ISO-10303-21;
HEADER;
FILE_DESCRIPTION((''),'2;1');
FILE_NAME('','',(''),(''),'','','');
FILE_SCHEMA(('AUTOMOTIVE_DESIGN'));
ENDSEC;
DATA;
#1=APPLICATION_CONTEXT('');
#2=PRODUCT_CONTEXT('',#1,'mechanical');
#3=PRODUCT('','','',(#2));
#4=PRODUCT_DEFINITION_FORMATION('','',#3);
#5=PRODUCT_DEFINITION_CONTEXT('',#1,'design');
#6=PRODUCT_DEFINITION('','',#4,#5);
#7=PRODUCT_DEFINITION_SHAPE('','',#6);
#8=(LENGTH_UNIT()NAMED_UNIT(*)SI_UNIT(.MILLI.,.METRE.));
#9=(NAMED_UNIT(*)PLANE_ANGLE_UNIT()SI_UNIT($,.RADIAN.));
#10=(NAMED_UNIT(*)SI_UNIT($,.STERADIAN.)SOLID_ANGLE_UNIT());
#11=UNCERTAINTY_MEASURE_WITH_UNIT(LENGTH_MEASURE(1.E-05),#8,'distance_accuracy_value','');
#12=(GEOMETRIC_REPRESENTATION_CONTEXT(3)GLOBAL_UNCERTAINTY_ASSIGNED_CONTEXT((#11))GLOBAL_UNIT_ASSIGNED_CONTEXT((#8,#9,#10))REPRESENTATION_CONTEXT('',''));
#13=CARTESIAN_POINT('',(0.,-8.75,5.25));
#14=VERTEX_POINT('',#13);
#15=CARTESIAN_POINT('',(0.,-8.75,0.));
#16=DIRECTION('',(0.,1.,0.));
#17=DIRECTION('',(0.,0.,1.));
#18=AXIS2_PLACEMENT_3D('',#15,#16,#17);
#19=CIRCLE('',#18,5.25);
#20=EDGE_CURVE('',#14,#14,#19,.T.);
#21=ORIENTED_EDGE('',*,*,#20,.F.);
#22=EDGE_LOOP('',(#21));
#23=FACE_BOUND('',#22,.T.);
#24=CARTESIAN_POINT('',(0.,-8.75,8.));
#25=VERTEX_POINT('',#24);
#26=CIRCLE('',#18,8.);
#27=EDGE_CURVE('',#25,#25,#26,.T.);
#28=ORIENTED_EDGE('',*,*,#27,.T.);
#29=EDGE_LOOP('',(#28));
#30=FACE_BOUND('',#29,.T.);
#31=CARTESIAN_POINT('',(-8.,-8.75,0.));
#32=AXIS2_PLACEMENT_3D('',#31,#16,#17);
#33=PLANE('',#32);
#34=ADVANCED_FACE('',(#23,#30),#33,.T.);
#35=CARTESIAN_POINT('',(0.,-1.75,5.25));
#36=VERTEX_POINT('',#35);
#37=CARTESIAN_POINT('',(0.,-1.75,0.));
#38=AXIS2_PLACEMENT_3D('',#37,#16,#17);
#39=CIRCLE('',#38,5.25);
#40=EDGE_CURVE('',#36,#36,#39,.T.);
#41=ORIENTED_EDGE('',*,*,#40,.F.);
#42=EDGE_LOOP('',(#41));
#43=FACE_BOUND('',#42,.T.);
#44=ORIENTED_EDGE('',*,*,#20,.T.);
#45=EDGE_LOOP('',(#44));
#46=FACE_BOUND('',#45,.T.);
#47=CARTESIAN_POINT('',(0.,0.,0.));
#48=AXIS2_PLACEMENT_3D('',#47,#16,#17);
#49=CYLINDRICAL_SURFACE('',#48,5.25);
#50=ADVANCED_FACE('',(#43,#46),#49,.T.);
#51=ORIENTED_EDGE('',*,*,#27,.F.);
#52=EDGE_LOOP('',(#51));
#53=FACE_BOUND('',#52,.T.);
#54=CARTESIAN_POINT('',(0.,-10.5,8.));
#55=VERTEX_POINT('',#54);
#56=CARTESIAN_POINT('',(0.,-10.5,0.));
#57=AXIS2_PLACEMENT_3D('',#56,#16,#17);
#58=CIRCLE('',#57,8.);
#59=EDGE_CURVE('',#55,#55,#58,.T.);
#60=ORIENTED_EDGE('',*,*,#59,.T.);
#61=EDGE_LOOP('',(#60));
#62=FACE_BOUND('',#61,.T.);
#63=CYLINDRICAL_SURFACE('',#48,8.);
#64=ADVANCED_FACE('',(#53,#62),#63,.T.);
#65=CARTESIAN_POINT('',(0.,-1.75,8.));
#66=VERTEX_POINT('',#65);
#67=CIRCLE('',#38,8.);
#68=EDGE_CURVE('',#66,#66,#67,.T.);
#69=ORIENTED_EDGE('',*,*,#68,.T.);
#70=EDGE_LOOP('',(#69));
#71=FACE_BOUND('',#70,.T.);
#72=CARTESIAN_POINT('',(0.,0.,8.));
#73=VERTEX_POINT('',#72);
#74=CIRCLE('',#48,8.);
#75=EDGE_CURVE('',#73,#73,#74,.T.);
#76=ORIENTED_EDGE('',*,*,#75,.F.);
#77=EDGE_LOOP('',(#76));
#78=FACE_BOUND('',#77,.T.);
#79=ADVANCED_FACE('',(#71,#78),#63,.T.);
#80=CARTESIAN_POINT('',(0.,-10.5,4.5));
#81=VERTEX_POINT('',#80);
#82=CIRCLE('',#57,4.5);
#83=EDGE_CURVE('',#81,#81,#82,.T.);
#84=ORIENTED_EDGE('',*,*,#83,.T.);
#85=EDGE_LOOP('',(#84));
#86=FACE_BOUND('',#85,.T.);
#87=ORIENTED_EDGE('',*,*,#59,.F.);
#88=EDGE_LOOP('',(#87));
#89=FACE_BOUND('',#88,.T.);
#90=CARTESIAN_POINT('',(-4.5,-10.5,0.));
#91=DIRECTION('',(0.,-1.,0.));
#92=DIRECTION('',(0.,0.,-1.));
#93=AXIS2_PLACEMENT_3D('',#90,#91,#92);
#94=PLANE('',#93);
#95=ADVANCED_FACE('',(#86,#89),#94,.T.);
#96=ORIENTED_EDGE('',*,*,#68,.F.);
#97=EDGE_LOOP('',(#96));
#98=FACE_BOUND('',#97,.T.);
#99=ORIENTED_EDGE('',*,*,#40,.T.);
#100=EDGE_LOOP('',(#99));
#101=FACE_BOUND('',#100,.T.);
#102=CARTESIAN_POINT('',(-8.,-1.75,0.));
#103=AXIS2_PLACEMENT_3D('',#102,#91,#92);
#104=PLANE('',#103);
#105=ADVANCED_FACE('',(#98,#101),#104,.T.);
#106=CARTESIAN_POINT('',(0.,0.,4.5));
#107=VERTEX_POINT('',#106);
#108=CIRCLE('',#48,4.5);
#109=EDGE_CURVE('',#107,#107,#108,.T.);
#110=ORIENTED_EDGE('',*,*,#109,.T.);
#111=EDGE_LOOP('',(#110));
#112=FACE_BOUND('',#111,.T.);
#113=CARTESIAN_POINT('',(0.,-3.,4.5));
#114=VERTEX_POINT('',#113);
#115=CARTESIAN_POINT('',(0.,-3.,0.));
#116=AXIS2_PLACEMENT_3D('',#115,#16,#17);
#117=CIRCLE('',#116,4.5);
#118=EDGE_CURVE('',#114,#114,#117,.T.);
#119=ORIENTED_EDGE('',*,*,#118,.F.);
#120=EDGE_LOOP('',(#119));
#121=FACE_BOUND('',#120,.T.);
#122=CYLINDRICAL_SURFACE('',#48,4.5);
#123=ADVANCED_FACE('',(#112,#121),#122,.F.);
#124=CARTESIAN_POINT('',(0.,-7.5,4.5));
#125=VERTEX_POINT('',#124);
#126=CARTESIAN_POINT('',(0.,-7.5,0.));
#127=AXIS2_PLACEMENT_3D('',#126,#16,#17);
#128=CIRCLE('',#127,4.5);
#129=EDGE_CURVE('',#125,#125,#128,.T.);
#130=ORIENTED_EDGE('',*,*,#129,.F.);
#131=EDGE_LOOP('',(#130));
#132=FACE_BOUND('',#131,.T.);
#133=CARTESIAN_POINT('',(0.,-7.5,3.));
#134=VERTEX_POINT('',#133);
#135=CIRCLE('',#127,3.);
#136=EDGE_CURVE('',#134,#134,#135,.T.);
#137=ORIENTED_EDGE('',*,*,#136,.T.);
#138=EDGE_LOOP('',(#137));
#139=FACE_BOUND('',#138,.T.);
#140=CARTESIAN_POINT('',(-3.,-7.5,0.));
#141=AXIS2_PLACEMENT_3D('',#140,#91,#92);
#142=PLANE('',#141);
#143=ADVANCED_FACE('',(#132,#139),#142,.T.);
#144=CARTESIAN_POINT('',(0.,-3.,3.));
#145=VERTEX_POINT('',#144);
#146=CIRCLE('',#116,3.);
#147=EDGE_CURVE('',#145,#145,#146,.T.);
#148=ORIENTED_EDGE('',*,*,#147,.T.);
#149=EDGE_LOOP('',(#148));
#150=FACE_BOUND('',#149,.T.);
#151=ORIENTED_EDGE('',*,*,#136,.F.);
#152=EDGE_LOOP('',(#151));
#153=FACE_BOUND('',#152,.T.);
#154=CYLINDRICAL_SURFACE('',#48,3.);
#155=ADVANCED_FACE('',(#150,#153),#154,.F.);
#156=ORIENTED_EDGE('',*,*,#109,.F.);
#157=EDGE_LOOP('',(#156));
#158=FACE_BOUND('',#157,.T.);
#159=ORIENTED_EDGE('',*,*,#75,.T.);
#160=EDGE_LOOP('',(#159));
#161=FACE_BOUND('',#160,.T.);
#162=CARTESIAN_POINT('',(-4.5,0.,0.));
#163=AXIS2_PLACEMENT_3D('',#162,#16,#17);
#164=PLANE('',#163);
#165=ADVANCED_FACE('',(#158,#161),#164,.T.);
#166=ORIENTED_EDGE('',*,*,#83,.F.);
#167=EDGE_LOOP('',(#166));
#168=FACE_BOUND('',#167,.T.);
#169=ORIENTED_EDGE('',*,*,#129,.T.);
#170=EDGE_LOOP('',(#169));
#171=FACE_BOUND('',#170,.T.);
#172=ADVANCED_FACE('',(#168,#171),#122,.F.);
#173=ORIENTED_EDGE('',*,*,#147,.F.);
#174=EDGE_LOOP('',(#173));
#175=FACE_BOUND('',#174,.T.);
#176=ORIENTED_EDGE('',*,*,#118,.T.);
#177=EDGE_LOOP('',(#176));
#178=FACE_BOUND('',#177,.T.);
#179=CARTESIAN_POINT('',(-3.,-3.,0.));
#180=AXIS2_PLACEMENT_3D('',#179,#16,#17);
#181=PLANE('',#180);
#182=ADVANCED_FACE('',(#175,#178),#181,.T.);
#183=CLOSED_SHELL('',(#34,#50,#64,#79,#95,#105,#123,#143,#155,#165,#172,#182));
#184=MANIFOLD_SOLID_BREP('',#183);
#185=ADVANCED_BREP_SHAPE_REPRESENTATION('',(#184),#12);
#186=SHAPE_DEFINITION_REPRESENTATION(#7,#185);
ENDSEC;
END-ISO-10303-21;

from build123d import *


with BuildPart() as part:
    # Sketch1 → Revolve1 (revolve)
    with BuildSketch(Plane.XY):
        Polygon((-4.5, 0), (-8, 0), (-8, -1.75), (-5.25, -1.75), (-5.25, -8.75), (-8, -8.75), (-8, -10.5), (-4.5, -10.5), (-4.5, -7.5), (-3, -7.5), (-3, -3), (-4.5, -3), align=None)
    revolve(axis=Axis((0, 0, 0), (0, -1, 0)))


solid = part.part
